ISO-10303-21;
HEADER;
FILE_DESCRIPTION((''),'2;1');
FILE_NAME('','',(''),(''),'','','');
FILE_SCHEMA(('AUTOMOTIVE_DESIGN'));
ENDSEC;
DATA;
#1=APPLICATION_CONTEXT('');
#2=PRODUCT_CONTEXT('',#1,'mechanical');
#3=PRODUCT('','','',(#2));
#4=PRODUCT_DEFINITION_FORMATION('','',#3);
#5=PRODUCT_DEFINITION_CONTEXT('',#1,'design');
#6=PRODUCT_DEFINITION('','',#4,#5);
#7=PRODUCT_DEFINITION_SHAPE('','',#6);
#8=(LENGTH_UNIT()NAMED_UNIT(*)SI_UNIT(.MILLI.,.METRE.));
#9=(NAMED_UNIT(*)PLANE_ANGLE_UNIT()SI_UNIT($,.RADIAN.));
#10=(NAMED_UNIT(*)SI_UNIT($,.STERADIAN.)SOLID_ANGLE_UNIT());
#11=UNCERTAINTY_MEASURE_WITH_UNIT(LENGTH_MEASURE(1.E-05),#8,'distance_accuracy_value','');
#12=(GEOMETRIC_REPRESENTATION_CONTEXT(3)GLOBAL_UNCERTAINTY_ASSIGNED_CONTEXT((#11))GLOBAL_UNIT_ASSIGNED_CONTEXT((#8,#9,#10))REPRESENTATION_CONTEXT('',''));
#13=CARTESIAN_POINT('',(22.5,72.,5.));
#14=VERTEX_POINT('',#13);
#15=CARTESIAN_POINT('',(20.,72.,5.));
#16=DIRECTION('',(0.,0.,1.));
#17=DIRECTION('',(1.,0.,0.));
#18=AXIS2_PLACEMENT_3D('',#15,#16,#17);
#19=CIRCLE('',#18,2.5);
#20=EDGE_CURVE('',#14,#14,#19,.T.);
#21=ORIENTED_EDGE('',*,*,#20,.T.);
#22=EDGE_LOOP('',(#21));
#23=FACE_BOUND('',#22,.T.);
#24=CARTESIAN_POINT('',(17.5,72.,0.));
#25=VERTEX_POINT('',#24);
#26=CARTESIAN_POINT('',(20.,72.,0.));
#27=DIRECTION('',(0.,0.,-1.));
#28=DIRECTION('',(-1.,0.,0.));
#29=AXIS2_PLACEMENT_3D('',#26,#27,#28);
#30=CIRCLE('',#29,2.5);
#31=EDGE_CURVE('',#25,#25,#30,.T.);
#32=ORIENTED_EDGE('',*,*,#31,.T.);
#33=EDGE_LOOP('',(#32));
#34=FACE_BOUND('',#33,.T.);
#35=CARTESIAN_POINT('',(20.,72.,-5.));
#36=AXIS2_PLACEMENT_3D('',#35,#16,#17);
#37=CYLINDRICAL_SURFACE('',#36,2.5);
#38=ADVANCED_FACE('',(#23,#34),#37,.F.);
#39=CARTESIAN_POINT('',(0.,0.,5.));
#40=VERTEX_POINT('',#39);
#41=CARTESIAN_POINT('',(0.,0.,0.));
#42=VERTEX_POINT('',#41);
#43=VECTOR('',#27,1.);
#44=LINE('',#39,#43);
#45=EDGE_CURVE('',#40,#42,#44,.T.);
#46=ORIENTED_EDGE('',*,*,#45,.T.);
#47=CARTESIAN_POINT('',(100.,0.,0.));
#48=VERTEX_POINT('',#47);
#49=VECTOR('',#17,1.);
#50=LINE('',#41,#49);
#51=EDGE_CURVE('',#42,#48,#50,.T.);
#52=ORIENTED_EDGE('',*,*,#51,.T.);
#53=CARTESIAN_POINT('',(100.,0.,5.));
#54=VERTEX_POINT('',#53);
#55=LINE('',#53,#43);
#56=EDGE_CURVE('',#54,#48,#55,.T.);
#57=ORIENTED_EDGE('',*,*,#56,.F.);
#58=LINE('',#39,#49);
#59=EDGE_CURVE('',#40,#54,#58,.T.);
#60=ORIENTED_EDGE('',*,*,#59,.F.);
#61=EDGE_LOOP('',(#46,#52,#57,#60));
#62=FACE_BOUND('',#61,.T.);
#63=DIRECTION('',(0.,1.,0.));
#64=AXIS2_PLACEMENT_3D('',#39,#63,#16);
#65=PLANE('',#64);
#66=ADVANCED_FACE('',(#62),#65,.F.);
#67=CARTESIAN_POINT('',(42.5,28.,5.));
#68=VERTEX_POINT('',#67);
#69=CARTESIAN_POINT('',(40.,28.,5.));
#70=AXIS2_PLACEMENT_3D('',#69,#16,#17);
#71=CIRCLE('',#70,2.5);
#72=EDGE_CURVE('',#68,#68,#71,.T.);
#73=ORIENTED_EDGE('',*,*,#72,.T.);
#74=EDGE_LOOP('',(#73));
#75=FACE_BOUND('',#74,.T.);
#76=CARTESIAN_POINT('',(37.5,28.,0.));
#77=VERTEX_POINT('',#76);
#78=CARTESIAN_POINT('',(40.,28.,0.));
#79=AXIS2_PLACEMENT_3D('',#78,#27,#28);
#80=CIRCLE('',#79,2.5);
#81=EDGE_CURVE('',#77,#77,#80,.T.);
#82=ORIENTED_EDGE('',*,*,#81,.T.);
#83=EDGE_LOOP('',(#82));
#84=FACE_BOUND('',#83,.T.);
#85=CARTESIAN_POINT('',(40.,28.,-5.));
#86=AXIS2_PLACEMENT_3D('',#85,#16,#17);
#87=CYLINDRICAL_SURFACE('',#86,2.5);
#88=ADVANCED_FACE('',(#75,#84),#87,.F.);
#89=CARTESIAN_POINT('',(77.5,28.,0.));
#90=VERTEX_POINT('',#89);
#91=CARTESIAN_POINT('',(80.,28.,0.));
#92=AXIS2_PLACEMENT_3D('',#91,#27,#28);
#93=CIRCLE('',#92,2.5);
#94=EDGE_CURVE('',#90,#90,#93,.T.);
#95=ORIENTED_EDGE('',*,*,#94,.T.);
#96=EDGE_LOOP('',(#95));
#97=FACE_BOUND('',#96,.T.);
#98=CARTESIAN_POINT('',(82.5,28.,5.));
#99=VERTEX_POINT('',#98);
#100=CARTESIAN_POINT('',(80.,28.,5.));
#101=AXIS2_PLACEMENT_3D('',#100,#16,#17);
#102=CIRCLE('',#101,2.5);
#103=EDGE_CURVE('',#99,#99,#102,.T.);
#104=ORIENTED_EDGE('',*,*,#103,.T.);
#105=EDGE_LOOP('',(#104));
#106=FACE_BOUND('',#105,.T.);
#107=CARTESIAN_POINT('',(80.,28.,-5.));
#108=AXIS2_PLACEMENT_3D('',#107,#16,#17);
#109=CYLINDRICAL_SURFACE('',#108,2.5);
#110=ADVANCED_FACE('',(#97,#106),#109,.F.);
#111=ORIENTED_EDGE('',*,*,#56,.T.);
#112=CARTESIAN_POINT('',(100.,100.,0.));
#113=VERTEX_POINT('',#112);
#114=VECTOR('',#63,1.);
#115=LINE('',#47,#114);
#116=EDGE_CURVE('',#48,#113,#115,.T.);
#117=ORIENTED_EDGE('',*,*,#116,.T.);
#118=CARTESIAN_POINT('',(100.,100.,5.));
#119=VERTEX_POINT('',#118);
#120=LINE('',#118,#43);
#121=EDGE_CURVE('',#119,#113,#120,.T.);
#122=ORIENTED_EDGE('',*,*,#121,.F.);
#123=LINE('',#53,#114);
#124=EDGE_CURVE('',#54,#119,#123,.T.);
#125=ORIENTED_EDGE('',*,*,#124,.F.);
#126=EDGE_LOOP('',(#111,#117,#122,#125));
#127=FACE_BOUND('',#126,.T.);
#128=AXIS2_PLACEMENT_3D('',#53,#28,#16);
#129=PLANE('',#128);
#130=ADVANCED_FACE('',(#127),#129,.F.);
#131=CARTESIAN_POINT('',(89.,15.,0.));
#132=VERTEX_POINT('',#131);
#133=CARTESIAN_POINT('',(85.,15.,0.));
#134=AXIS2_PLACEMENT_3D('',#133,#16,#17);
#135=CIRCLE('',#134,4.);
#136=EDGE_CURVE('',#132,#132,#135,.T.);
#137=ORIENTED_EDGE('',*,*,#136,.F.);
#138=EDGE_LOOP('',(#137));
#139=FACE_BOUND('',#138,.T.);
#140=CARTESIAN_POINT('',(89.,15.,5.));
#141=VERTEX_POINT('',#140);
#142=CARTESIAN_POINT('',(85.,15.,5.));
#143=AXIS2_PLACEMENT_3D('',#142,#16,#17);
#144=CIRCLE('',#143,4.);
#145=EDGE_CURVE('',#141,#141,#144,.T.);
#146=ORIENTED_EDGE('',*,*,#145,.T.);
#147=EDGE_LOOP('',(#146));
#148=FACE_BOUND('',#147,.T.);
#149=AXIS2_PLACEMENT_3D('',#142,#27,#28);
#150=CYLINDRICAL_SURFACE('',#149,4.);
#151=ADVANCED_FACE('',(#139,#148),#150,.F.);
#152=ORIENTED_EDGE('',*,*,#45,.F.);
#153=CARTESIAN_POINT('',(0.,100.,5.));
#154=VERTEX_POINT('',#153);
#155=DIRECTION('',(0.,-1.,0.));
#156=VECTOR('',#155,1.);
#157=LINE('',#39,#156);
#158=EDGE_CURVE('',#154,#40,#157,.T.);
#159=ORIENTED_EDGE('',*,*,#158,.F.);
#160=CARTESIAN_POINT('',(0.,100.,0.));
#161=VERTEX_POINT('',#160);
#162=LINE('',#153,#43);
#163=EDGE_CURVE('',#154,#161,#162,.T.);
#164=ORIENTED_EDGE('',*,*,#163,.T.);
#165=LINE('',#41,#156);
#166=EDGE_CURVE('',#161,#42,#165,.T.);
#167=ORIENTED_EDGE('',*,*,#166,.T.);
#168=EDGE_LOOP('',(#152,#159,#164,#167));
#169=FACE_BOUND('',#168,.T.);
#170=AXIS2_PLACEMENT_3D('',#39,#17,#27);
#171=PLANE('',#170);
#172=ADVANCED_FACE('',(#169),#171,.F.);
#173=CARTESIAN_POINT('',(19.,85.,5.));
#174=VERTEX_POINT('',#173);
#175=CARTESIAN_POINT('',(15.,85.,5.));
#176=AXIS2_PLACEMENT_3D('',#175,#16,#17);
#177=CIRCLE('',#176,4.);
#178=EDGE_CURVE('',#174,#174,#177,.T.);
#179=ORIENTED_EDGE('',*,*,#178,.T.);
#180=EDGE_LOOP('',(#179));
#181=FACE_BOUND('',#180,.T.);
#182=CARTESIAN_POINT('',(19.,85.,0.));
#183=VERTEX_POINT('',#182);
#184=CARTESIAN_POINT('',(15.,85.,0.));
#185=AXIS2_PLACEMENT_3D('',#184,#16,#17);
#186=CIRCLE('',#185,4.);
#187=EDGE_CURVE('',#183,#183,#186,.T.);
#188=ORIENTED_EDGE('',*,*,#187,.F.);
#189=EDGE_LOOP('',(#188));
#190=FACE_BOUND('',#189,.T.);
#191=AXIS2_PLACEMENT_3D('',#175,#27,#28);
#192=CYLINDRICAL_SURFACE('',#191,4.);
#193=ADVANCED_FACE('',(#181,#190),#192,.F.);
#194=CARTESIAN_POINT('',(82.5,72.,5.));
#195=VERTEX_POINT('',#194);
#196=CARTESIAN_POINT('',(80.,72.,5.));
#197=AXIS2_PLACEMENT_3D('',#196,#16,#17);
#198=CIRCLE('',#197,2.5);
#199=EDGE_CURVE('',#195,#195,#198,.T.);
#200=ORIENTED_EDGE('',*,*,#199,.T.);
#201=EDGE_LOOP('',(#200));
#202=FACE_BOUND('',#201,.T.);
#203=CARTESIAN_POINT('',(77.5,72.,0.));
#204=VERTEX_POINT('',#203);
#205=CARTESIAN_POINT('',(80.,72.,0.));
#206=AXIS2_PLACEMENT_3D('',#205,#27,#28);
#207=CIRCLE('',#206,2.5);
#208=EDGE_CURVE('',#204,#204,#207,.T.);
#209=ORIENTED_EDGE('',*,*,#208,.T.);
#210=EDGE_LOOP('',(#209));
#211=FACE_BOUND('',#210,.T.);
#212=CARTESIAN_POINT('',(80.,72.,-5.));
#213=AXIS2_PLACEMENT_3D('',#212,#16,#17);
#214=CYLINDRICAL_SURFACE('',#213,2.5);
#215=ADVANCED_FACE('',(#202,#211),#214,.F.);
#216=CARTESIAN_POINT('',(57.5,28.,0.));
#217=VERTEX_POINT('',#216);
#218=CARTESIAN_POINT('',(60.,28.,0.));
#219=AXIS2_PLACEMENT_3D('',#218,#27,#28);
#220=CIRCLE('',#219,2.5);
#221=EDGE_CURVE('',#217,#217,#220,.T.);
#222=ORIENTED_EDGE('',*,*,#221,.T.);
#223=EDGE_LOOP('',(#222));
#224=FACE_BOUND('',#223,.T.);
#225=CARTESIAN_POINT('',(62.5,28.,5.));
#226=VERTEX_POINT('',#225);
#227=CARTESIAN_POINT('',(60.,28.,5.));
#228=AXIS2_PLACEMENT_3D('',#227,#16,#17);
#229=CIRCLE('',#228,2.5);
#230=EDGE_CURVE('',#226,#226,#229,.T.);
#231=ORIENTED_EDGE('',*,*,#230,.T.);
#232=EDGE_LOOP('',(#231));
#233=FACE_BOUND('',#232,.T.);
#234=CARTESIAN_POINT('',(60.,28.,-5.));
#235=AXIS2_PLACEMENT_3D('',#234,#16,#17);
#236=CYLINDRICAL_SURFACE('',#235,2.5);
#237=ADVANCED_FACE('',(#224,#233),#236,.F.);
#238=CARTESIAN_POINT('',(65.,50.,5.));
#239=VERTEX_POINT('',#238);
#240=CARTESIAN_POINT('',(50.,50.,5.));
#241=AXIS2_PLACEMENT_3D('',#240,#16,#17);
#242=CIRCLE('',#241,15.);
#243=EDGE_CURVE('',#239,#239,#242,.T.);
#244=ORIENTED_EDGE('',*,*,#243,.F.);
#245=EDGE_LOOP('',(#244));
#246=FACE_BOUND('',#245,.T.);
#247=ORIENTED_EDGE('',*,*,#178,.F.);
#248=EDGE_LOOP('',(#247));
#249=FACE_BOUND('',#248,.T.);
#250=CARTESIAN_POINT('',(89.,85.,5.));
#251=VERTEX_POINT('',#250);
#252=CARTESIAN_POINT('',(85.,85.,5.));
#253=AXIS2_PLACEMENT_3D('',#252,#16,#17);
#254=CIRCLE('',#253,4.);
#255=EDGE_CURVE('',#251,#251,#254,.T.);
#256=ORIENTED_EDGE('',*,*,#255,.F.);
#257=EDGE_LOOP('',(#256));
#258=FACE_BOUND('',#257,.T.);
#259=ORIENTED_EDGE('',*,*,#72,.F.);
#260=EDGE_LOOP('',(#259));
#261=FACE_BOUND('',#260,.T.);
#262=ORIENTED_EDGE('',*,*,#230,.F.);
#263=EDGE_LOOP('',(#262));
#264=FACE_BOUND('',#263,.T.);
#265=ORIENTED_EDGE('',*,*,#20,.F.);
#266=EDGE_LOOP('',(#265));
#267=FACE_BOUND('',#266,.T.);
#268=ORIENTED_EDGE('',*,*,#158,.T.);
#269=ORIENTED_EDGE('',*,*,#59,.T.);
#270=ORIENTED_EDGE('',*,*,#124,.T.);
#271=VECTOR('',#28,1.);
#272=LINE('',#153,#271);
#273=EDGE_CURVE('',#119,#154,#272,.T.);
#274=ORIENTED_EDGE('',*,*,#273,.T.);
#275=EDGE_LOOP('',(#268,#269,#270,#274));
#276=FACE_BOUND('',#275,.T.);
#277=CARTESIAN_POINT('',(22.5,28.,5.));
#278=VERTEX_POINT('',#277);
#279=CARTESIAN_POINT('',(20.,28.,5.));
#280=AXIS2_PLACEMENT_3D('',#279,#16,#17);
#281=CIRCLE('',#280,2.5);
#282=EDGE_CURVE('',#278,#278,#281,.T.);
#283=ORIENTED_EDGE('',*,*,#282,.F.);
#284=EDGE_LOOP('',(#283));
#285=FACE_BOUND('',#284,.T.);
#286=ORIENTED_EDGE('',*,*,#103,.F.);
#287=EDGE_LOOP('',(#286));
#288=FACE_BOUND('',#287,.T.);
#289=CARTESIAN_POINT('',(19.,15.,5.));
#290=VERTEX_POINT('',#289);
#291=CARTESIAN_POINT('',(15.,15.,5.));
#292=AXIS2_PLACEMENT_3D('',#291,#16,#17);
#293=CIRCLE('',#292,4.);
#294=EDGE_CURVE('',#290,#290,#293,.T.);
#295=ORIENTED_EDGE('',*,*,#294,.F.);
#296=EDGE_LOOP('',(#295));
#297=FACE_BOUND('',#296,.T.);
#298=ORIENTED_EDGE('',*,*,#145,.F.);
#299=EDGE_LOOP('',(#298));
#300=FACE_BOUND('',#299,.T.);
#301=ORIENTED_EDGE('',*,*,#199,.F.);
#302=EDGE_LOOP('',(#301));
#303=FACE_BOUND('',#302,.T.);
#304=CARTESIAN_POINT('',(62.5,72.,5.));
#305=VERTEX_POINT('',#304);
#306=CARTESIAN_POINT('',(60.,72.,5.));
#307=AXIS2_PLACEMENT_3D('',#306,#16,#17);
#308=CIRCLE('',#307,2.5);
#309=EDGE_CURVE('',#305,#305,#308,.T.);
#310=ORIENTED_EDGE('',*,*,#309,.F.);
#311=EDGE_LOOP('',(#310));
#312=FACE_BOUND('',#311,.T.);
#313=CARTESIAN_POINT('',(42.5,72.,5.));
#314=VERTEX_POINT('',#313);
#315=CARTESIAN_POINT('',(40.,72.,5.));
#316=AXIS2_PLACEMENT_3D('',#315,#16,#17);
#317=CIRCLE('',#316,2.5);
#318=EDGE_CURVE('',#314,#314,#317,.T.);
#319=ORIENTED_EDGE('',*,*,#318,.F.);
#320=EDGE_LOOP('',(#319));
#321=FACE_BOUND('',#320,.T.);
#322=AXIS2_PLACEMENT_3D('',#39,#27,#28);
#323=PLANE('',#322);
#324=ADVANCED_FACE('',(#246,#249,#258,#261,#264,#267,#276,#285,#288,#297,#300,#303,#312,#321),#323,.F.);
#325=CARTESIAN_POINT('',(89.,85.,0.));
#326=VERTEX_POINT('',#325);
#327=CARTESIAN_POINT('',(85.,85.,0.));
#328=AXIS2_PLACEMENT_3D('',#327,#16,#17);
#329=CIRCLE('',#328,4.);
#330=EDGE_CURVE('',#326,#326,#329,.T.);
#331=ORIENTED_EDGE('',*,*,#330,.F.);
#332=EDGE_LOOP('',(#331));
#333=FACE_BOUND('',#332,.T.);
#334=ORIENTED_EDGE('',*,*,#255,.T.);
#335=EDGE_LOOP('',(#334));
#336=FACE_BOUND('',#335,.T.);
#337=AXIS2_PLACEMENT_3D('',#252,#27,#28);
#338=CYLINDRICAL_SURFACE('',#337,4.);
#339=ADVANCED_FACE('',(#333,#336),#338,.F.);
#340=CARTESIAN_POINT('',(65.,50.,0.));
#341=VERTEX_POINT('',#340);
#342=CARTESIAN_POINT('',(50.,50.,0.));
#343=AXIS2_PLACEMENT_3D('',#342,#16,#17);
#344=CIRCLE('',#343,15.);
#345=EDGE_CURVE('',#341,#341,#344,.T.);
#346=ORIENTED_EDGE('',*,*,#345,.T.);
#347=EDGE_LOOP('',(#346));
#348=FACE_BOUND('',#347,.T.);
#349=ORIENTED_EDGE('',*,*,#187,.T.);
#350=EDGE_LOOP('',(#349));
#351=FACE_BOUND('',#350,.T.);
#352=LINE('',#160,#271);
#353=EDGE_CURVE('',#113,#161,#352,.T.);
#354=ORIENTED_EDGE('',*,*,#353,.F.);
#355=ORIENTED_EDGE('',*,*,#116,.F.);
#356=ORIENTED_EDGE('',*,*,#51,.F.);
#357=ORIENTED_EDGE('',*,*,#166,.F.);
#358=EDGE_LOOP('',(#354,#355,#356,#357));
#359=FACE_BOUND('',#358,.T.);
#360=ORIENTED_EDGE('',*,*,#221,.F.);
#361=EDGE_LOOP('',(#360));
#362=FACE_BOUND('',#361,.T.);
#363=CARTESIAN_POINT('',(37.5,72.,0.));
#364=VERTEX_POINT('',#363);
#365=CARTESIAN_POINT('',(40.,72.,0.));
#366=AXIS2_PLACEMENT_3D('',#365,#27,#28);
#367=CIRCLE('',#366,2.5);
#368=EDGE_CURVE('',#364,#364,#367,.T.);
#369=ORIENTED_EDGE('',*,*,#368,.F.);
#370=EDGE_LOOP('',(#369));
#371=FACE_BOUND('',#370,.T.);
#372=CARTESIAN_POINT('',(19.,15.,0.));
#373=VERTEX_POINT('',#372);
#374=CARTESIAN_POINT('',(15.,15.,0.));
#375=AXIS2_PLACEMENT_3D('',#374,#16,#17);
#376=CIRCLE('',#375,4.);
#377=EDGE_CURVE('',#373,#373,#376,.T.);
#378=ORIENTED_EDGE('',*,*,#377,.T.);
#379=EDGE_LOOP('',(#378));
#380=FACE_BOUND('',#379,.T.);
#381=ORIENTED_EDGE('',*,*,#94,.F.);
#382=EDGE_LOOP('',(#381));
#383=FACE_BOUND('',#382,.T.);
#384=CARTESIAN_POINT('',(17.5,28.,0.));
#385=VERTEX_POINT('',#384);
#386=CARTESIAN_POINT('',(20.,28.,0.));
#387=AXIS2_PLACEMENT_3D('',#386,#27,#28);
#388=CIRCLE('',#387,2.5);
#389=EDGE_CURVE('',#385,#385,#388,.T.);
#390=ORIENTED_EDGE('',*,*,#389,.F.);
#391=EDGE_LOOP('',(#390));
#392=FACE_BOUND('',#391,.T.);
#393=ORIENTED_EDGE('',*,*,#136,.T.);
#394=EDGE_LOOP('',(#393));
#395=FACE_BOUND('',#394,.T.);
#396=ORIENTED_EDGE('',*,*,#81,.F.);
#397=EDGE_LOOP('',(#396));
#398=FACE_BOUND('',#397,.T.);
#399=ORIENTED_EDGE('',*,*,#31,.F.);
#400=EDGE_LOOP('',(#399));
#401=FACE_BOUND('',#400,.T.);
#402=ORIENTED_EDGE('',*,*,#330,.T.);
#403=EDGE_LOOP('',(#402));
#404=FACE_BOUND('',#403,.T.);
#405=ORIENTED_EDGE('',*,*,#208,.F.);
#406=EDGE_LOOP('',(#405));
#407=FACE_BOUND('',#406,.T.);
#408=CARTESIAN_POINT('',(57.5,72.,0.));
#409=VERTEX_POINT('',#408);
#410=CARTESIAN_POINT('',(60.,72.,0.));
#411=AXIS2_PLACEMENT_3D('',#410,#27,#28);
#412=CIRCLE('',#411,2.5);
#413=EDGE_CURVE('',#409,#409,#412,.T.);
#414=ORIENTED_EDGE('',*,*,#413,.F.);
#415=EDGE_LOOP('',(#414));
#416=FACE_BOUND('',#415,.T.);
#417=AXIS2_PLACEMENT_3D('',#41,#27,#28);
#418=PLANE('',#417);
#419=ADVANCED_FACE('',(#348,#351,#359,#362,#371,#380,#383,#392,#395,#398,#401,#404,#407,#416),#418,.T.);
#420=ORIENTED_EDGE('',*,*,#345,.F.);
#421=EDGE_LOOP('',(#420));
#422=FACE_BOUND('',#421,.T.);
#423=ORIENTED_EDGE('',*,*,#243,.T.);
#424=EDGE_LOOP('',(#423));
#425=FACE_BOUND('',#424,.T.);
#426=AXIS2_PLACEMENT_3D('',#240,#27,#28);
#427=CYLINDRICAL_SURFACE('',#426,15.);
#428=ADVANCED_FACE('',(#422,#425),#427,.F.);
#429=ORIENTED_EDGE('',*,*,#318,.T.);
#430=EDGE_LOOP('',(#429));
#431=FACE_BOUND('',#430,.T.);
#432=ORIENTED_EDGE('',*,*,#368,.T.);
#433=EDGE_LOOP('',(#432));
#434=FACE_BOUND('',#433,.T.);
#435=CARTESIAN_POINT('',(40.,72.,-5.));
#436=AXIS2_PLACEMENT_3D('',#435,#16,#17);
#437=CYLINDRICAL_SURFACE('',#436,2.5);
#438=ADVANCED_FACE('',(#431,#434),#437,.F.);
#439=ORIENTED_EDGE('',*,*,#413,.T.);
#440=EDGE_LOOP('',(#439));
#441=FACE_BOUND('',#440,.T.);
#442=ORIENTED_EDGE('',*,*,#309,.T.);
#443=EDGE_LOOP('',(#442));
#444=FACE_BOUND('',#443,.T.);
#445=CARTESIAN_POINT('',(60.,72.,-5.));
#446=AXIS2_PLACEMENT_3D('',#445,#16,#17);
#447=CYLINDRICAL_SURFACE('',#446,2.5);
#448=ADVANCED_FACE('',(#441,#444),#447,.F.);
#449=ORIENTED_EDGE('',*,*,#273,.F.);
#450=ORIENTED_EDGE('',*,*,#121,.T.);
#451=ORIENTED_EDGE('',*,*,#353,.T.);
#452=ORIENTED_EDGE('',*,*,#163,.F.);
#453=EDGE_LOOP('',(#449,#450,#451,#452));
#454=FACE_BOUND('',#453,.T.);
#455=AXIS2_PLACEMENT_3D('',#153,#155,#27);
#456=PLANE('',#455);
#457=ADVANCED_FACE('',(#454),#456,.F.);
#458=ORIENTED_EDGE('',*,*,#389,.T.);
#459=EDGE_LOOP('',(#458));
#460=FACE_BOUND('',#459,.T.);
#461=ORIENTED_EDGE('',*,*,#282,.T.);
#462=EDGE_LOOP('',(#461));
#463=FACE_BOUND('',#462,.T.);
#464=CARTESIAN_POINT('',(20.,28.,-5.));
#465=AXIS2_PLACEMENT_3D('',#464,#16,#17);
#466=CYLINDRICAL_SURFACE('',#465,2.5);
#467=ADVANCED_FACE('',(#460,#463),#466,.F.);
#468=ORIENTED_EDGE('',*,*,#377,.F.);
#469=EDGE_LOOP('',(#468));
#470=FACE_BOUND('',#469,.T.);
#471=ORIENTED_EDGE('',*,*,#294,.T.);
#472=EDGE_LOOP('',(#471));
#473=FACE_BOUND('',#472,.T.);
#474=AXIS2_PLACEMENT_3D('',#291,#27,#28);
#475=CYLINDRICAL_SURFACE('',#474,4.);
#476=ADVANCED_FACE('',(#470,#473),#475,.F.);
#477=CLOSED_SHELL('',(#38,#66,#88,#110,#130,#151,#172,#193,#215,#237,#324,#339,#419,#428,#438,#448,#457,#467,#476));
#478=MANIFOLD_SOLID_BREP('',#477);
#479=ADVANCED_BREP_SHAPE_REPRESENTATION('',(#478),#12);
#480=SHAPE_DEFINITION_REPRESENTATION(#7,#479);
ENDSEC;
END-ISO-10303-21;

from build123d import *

# Parameters (mm, degrees)
SKETCH1_W           = 100
SKETCH1_H           = 100
SKETCH1_R           = 4
SKETCH1_R_2         = 15
BOSS_EXTRUDE1_DEPTH = 5
SKETCH2_R           = 2.5
CUT_EXTRUDE1_DEPTH  = 10


with BuildPart() as part:
    # Sketch1 → Boss-Extrude1 (new body)
    with BuildSketch(Plane.XY):
        with Locations((50, 50)):
            Rectangle(SKETCH1_W, SKETCH1_H)
        with Locations((15, 85)):
            Circle(SKETCH1_R, mode=Mode.SUBTRACT)
        with Locations((85, 85)):
            Circle(SKETCH1_R, mode=Mode.SUBTRACT)
        with Locations((85, 15)):
            Circle(SKETCH1_R, mode=Mode.SUBTRACT)
        with Locations((15, 15)):
            Circle(SKETCH1_R, mode=Mode.SUBTRACT)
        with Locations((50, 50)):
            Circle(SKETCH1_R_2, mode=Mode.SUBTRACT)
    extrude(amount=BOSS_EXTRUDE1_DEPTH)

    # Sketch2 → Cut-Extrude1 (cut)
    with BuildSketch(Plane.XY.offset(5)):
        with Locations((20, 72)):
            Circle(SKETCH2_R)
        with Locations((40, 72)):
            Circle(SKETCH2_R)
        with Locations((60, 72)):
            Circle(SKETCH2_R)
        with Locations((80, 72)):
            Circle(SKETCH2_R)
        with Locations((80, 28)):
            Circle(SKETCH2_R)
        with Locations((60, 28)):
            Circle(SKETCH2_R)
        with Locations((40, 28)):
            Circle(SKETCH2_R)
        with Locations((20, 28)):
            Circle(SKETCH2_R)
    extrude(amount=-CUT_EXTRUDE1_DEPTH, mode=Mode.SUBTRACT)


solid = part.part
